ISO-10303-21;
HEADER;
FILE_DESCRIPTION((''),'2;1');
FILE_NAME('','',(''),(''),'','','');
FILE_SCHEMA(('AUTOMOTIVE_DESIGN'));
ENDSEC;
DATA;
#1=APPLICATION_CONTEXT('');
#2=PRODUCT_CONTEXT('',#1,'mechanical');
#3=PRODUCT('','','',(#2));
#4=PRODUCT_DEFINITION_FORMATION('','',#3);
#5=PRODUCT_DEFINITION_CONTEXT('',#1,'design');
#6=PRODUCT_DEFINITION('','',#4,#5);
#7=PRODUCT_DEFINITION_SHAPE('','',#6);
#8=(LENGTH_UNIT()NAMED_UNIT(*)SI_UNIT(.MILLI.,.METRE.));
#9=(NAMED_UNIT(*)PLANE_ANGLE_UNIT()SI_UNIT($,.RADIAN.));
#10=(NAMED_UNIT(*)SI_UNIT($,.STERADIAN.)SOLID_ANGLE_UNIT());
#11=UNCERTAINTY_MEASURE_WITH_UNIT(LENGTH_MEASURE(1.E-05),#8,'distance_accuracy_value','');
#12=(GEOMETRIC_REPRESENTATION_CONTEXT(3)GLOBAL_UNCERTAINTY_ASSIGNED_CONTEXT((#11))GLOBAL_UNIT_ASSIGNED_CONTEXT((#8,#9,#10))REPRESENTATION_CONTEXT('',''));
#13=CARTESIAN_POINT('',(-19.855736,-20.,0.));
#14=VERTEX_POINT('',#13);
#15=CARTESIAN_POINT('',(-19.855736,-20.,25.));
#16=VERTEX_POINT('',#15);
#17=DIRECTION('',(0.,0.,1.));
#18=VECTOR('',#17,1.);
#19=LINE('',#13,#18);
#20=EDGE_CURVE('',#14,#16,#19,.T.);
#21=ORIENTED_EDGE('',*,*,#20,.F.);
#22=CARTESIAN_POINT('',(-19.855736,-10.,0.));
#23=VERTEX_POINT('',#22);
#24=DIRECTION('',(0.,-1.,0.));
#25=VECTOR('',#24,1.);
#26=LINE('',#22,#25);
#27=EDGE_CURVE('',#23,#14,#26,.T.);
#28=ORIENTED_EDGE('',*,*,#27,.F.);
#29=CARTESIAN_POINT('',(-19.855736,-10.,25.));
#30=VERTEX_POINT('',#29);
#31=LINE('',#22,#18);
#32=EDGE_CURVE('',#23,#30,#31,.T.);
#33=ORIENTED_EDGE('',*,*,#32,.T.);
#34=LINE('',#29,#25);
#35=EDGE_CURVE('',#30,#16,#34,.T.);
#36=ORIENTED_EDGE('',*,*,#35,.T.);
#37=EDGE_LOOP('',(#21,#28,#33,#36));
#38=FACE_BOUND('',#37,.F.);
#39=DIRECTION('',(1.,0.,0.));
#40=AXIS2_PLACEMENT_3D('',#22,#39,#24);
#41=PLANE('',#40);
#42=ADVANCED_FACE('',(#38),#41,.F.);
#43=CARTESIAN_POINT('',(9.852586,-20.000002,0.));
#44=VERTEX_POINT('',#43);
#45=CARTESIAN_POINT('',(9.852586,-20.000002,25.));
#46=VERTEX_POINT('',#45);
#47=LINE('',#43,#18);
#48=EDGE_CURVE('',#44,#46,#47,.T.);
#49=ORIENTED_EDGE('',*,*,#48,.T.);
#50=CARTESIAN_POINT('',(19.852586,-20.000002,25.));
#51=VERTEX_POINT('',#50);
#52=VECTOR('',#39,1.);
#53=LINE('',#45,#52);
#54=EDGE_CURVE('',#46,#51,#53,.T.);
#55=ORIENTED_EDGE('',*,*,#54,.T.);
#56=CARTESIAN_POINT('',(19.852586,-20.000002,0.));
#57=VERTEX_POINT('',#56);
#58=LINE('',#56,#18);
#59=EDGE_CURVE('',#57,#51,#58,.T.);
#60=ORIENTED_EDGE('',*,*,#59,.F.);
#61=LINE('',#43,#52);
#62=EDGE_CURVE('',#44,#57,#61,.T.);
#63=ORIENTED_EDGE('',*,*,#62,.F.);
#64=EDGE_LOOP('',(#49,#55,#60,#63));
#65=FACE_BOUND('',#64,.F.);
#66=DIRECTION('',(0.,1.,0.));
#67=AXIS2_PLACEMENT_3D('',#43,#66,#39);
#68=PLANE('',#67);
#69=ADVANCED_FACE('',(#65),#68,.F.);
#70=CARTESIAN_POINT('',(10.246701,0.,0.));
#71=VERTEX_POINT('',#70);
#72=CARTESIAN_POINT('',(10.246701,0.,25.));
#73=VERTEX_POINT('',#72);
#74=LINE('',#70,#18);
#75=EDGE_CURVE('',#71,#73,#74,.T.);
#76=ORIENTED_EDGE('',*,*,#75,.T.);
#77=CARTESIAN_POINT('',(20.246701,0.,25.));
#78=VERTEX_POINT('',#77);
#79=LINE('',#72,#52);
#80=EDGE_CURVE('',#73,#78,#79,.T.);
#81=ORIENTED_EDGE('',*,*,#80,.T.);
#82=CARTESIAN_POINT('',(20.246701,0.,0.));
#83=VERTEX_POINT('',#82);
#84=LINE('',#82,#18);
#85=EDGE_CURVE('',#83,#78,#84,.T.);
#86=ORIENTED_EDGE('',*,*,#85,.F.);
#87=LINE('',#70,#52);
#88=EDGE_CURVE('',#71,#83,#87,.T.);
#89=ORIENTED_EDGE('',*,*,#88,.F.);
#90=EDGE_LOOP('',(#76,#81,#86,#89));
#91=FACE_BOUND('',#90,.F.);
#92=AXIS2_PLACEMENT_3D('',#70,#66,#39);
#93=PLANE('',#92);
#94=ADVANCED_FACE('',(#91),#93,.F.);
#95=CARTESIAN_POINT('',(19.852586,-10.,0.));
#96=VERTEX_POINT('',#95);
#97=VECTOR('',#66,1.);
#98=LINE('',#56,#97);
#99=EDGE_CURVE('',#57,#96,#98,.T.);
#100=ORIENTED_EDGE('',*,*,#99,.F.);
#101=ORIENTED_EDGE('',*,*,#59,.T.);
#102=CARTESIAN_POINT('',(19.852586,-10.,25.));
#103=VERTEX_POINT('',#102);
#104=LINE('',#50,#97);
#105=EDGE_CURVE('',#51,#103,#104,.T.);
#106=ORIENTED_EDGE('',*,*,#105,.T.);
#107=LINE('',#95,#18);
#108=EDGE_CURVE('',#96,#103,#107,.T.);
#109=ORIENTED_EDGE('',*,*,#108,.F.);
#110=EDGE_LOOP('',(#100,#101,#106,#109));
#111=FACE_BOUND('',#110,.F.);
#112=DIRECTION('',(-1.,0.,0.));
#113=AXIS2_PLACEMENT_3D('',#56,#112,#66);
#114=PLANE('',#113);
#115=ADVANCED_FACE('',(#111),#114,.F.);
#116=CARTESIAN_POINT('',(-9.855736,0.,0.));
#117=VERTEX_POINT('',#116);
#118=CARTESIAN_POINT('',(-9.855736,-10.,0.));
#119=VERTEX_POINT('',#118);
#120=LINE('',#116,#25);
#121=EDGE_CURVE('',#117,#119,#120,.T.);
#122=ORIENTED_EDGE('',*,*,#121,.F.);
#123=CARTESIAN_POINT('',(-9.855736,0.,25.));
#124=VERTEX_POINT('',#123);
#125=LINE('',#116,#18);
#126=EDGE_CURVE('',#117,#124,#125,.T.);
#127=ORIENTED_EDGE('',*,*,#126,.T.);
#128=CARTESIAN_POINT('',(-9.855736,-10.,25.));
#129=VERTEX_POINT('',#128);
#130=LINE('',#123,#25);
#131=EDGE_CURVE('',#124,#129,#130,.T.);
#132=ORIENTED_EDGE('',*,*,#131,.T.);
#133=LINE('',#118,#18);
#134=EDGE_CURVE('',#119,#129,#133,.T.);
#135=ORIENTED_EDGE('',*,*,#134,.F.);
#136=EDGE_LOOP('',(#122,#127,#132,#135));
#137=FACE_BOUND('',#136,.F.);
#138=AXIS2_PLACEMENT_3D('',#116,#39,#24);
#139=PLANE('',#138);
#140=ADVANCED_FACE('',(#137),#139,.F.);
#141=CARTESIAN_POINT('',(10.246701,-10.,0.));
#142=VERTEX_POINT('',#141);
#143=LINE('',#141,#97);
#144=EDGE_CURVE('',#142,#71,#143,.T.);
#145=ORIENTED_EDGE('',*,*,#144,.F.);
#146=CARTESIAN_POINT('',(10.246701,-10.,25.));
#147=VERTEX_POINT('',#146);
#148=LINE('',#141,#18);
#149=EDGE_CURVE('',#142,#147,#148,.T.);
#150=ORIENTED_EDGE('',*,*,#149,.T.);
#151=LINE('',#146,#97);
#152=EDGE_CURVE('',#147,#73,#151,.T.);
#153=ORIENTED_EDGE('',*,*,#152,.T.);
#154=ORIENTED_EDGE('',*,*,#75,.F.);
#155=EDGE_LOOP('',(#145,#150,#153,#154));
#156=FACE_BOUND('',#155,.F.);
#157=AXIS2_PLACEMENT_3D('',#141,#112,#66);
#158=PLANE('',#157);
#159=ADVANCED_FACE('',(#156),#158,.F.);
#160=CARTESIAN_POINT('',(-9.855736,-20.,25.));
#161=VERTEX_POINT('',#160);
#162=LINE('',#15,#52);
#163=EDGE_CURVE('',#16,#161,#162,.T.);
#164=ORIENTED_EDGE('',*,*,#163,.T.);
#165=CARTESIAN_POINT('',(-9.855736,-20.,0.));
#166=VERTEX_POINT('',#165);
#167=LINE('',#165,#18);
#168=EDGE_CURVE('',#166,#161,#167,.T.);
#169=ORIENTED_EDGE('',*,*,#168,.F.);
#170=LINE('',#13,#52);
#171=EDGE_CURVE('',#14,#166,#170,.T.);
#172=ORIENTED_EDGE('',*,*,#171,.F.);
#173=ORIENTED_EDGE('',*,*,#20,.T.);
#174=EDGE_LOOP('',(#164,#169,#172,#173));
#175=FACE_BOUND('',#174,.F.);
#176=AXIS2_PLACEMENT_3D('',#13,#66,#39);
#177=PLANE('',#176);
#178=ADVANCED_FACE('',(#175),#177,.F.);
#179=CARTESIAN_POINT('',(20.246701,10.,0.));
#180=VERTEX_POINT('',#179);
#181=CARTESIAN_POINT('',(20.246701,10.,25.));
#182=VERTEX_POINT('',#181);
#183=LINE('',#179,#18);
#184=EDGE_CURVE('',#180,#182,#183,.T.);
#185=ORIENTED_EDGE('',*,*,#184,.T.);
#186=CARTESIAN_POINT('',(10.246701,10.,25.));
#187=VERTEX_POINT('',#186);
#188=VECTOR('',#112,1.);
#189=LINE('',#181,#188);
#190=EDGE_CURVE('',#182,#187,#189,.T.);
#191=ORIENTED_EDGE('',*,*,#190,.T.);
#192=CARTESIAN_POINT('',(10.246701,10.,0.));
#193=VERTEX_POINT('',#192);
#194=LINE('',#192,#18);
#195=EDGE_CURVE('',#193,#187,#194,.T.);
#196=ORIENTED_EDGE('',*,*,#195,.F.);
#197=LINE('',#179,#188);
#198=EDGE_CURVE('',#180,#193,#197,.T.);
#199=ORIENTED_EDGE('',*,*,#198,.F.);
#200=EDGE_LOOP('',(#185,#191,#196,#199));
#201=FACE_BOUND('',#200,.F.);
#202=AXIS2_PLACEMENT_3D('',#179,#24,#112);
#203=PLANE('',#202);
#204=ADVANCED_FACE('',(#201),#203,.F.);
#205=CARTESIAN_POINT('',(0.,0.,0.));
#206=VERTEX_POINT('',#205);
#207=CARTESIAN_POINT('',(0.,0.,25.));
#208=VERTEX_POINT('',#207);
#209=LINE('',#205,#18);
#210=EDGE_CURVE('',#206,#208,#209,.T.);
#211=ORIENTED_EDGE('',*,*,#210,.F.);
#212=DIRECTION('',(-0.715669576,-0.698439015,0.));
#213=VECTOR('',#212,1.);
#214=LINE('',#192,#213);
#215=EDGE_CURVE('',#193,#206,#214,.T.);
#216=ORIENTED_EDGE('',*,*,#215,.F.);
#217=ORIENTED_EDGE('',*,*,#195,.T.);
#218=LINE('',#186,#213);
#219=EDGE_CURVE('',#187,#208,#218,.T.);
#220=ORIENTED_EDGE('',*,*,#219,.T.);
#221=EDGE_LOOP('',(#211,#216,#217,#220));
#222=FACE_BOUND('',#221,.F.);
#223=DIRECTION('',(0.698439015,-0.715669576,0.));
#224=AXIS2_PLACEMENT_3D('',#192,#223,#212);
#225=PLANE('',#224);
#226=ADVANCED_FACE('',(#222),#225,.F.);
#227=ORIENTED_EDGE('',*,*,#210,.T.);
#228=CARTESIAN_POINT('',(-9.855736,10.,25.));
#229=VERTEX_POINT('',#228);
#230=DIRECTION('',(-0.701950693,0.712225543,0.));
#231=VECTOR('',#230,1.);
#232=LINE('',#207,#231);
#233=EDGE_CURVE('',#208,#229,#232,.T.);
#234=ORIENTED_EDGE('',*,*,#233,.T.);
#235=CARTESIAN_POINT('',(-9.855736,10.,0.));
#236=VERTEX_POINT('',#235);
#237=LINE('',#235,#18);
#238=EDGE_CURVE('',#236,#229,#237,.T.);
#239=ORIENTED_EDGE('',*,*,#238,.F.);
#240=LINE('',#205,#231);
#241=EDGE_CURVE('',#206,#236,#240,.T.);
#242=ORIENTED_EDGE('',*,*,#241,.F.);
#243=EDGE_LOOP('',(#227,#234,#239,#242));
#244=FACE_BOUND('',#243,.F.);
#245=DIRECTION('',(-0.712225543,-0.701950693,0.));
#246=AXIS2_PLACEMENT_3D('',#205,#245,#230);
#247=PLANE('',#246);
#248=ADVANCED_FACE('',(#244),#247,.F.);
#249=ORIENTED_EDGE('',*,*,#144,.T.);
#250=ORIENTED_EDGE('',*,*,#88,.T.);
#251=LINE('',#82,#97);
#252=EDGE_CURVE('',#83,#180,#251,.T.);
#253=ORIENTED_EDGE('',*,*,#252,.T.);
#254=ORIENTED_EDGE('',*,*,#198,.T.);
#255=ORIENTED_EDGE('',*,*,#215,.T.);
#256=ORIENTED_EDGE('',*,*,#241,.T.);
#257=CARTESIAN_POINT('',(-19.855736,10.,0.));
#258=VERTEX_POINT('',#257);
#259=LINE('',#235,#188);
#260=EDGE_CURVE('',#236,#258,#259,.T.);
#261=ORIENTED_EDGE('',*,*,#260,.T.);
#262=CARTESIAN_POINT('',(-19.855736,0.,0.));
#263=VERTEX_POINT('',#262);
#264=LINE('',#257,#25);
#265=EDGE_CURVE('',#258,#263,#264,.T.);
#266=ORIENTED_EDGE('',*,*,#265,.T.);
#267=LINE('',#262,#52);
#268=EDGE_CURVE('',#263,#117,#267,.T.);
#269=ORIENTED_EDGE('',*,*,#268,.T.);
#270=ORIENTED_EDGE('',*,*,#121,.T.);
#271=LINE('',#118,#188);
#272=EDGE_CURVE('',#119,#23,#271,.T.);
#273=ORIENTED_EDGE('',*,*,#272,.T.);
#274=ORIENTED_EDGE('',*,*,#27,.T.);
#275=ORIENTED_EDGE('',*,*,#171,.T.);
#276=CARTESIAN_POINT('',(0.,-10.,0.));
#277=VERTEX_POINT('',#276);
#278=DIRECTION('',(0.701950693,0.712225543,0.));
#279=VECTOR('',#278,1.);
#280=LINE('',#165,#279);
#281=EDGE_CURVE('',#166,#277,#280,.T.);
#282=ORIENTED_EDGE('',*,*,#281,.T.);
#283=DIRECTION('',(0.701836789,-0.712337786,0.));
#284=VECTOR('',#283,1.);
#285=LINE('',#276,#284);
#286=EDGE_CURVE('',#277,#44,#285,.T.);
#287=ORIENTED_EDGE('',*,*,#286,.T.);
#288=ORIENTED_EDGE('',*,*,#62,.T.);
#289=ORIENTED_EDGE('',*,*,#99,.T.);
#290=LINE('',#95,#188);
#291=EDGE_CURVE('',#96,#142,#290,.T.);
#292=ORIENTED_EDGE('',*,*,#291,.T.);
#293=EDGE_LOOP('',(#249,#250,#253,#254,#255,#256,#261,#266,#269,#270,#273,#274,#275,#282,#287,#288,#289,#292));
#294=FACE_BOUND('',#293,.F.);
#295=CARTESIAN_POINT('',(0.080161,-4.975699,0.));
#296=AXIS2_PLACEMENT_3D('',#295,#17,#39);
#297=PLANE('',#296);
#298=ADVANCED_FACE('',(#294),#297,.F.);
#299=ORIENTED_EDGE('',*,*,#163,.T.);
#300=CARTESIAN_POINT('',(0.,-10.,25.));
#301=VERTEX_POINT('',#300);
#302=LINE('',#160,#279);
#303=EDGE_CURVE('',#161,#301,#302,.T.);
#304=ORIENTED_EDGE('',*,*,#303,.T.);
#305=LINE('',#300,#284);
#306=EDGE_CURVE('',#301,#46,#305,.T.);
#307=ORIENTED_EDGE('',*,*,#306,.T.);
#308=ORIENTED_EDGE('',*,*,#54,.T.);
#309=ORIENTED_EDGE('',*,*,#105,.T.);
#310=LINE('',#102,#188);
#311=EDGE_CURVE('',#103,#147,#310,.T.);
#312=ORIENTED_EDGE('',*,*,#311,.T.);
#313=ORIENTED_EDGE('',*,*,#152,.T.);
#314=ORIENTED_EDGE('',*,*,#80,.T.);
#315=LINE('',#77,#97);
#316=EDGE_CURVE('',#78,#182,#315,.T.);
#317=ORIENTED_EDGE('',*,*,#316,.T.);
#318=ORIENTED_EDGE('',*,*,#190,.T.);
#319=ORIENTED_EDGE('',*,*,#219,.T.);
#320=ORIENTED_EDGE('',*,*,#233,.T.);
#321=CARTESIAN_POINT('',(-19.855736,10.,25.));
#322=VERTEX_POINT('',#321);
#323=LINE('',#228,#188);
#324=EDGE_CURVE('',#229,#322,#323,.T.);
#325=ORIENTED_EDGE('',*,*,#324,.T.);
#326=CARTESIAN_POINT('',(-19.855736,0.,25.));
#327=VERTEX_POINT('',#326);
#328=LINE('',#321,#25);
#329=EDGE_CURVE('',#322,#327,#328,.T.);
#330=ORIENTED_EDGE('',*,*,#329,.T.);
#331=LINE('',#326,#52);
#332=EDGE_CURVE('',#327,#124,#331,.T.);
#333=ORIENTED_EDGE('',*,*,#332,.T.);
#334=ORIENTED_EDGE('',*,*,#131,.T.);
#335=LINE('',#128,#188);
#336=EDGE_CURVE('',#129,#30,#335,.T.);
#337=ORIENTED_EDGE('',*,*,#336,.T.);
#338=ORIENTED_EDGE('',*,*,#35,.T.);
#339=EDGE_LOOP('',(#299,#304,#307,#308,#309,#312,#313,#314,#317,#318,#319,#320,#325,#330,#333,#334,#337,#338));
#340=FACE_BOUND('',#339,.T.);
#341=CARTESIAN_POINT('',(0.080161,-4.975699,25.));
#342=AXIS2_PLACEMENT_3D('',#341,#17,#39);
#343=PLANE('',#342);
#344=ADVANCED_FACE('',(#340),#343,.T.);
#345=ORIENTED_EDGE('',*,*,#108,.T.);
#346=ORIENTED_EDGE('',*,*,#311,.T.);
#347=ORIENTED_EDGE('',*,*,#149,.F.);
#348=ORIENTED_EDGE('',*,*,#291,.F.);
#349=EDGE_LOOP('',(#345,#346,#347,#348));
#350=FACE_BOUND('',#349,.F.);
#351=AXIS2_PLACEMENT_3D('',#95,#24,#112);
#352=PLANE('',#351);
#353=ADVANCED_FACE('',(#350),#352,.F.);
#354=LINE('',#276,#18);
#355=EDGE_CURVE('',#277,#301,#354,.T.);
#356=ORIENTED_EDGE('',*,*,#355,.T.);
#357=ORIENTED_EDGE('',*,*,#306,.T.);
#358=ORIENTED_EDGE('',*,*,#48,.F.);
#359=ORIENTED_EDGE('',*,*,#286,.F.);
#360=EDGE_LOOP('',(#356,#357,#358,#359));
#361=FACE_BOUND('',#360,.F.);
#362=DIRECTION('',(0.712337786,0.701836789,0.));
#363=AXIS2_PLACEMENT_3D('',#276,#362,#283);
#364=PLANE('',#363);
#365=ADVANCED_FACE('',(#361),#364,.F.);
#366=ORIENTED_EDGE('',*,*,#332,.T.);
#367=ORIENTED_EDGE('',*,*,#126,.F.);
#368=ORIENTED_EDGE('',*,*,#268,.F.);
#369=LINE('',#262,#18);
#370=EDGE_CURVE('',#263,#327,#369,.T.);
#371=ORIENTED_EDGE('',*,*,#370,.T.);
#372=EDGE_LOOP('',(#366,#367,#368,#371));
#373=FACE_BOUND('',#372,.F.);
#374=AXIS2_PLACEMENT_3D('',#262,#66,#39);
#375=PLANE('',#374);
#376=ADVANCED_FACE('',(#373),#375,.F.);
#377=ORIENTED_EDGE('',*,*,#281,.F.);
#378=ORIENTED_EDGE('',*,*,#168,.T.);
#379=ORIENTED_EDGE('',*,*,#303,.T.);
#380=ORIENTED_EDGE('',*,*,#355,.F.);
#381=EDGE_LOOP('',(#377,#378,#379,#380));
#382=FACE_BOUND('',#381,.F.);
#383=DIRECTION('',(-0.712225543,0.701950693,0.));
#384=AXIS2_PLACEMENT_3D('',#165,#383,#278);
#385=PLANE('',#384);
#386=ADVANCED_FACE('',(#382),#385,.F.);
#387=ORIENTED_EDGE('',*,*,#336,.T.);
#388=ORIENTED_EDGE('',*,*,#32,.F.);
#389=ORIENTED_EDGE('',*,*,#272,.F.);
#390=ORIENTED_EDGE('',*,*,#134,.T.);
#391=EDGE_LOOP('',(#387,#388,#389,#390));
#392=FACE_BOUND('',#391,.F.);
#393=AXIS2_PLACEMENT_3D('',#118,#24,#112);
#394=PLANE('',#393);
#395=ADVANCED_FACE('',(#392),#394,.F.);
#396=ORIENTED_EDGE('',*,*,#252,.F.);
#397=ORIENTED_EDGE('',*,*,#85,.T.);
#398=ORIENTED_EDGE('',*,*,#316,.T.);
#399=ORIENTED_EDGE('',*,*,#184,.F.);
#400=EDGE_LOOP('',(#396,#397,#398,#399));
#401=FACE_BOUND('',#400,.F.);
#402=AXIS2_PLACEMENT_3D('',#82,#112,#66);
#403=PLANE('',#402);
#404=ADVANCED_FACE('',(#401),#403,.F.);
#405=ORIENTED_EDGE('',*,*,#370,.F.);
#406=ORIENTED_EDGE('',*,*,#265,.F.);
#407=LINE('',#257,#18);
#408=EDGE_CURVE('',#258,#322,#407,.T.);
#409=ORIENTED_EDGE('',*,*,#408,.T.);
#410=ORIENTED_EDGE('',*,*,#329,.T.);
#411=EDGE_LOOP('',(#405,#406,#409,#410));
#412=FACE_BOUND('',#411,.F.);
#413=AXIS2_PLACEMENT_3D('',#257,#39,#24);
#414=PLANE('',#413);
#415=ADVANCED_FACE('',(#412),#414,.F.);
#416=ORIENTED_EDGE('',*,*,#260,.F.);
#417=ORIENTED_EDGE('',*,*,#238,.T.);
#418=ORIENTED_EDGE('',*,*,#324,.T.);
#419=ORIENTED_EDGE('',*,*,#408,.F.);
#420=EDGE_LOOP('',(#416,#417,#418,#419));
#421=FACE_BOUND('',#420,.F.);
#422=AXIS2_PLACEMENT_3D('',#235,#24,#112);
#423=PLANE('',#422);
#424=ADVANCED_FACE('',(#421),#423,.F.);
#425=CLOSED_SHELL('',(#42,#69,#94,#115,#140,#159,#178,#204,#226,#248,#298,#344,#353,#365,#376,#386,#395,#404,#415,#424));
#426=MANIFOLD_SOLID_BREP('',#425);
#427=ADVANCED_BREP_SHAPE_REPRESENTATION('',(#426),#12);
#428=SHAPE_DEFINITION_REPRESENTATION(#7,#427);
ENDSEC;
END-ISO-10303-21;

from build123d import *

# Parameters (mm, degrees)
F1_DEPTH = 25


with BuildPart() as f1:
    # F0 (on Top) → F1 (new body)
    with BuildSketch(Plane.XY):
        Polygon((10.246701, 10), (0, 0), (-9.855736, 10), (-19.855736, 10), (-19.855736, 0), (-9.855736, 0), (-9.855736, -10), (-19.855736, -10), (-19.855736, -20), (-9.855736, -20), (0, -10), (9.852586, -20.000002), (19.852586, -20.000002), (19.852586, -10), (10.246701, -10), (10.246701, 0), (20.246701, 0), (20.246701, 10), align=None)
    extrude(amount=F1_DEPTH)


solid = f1.part
